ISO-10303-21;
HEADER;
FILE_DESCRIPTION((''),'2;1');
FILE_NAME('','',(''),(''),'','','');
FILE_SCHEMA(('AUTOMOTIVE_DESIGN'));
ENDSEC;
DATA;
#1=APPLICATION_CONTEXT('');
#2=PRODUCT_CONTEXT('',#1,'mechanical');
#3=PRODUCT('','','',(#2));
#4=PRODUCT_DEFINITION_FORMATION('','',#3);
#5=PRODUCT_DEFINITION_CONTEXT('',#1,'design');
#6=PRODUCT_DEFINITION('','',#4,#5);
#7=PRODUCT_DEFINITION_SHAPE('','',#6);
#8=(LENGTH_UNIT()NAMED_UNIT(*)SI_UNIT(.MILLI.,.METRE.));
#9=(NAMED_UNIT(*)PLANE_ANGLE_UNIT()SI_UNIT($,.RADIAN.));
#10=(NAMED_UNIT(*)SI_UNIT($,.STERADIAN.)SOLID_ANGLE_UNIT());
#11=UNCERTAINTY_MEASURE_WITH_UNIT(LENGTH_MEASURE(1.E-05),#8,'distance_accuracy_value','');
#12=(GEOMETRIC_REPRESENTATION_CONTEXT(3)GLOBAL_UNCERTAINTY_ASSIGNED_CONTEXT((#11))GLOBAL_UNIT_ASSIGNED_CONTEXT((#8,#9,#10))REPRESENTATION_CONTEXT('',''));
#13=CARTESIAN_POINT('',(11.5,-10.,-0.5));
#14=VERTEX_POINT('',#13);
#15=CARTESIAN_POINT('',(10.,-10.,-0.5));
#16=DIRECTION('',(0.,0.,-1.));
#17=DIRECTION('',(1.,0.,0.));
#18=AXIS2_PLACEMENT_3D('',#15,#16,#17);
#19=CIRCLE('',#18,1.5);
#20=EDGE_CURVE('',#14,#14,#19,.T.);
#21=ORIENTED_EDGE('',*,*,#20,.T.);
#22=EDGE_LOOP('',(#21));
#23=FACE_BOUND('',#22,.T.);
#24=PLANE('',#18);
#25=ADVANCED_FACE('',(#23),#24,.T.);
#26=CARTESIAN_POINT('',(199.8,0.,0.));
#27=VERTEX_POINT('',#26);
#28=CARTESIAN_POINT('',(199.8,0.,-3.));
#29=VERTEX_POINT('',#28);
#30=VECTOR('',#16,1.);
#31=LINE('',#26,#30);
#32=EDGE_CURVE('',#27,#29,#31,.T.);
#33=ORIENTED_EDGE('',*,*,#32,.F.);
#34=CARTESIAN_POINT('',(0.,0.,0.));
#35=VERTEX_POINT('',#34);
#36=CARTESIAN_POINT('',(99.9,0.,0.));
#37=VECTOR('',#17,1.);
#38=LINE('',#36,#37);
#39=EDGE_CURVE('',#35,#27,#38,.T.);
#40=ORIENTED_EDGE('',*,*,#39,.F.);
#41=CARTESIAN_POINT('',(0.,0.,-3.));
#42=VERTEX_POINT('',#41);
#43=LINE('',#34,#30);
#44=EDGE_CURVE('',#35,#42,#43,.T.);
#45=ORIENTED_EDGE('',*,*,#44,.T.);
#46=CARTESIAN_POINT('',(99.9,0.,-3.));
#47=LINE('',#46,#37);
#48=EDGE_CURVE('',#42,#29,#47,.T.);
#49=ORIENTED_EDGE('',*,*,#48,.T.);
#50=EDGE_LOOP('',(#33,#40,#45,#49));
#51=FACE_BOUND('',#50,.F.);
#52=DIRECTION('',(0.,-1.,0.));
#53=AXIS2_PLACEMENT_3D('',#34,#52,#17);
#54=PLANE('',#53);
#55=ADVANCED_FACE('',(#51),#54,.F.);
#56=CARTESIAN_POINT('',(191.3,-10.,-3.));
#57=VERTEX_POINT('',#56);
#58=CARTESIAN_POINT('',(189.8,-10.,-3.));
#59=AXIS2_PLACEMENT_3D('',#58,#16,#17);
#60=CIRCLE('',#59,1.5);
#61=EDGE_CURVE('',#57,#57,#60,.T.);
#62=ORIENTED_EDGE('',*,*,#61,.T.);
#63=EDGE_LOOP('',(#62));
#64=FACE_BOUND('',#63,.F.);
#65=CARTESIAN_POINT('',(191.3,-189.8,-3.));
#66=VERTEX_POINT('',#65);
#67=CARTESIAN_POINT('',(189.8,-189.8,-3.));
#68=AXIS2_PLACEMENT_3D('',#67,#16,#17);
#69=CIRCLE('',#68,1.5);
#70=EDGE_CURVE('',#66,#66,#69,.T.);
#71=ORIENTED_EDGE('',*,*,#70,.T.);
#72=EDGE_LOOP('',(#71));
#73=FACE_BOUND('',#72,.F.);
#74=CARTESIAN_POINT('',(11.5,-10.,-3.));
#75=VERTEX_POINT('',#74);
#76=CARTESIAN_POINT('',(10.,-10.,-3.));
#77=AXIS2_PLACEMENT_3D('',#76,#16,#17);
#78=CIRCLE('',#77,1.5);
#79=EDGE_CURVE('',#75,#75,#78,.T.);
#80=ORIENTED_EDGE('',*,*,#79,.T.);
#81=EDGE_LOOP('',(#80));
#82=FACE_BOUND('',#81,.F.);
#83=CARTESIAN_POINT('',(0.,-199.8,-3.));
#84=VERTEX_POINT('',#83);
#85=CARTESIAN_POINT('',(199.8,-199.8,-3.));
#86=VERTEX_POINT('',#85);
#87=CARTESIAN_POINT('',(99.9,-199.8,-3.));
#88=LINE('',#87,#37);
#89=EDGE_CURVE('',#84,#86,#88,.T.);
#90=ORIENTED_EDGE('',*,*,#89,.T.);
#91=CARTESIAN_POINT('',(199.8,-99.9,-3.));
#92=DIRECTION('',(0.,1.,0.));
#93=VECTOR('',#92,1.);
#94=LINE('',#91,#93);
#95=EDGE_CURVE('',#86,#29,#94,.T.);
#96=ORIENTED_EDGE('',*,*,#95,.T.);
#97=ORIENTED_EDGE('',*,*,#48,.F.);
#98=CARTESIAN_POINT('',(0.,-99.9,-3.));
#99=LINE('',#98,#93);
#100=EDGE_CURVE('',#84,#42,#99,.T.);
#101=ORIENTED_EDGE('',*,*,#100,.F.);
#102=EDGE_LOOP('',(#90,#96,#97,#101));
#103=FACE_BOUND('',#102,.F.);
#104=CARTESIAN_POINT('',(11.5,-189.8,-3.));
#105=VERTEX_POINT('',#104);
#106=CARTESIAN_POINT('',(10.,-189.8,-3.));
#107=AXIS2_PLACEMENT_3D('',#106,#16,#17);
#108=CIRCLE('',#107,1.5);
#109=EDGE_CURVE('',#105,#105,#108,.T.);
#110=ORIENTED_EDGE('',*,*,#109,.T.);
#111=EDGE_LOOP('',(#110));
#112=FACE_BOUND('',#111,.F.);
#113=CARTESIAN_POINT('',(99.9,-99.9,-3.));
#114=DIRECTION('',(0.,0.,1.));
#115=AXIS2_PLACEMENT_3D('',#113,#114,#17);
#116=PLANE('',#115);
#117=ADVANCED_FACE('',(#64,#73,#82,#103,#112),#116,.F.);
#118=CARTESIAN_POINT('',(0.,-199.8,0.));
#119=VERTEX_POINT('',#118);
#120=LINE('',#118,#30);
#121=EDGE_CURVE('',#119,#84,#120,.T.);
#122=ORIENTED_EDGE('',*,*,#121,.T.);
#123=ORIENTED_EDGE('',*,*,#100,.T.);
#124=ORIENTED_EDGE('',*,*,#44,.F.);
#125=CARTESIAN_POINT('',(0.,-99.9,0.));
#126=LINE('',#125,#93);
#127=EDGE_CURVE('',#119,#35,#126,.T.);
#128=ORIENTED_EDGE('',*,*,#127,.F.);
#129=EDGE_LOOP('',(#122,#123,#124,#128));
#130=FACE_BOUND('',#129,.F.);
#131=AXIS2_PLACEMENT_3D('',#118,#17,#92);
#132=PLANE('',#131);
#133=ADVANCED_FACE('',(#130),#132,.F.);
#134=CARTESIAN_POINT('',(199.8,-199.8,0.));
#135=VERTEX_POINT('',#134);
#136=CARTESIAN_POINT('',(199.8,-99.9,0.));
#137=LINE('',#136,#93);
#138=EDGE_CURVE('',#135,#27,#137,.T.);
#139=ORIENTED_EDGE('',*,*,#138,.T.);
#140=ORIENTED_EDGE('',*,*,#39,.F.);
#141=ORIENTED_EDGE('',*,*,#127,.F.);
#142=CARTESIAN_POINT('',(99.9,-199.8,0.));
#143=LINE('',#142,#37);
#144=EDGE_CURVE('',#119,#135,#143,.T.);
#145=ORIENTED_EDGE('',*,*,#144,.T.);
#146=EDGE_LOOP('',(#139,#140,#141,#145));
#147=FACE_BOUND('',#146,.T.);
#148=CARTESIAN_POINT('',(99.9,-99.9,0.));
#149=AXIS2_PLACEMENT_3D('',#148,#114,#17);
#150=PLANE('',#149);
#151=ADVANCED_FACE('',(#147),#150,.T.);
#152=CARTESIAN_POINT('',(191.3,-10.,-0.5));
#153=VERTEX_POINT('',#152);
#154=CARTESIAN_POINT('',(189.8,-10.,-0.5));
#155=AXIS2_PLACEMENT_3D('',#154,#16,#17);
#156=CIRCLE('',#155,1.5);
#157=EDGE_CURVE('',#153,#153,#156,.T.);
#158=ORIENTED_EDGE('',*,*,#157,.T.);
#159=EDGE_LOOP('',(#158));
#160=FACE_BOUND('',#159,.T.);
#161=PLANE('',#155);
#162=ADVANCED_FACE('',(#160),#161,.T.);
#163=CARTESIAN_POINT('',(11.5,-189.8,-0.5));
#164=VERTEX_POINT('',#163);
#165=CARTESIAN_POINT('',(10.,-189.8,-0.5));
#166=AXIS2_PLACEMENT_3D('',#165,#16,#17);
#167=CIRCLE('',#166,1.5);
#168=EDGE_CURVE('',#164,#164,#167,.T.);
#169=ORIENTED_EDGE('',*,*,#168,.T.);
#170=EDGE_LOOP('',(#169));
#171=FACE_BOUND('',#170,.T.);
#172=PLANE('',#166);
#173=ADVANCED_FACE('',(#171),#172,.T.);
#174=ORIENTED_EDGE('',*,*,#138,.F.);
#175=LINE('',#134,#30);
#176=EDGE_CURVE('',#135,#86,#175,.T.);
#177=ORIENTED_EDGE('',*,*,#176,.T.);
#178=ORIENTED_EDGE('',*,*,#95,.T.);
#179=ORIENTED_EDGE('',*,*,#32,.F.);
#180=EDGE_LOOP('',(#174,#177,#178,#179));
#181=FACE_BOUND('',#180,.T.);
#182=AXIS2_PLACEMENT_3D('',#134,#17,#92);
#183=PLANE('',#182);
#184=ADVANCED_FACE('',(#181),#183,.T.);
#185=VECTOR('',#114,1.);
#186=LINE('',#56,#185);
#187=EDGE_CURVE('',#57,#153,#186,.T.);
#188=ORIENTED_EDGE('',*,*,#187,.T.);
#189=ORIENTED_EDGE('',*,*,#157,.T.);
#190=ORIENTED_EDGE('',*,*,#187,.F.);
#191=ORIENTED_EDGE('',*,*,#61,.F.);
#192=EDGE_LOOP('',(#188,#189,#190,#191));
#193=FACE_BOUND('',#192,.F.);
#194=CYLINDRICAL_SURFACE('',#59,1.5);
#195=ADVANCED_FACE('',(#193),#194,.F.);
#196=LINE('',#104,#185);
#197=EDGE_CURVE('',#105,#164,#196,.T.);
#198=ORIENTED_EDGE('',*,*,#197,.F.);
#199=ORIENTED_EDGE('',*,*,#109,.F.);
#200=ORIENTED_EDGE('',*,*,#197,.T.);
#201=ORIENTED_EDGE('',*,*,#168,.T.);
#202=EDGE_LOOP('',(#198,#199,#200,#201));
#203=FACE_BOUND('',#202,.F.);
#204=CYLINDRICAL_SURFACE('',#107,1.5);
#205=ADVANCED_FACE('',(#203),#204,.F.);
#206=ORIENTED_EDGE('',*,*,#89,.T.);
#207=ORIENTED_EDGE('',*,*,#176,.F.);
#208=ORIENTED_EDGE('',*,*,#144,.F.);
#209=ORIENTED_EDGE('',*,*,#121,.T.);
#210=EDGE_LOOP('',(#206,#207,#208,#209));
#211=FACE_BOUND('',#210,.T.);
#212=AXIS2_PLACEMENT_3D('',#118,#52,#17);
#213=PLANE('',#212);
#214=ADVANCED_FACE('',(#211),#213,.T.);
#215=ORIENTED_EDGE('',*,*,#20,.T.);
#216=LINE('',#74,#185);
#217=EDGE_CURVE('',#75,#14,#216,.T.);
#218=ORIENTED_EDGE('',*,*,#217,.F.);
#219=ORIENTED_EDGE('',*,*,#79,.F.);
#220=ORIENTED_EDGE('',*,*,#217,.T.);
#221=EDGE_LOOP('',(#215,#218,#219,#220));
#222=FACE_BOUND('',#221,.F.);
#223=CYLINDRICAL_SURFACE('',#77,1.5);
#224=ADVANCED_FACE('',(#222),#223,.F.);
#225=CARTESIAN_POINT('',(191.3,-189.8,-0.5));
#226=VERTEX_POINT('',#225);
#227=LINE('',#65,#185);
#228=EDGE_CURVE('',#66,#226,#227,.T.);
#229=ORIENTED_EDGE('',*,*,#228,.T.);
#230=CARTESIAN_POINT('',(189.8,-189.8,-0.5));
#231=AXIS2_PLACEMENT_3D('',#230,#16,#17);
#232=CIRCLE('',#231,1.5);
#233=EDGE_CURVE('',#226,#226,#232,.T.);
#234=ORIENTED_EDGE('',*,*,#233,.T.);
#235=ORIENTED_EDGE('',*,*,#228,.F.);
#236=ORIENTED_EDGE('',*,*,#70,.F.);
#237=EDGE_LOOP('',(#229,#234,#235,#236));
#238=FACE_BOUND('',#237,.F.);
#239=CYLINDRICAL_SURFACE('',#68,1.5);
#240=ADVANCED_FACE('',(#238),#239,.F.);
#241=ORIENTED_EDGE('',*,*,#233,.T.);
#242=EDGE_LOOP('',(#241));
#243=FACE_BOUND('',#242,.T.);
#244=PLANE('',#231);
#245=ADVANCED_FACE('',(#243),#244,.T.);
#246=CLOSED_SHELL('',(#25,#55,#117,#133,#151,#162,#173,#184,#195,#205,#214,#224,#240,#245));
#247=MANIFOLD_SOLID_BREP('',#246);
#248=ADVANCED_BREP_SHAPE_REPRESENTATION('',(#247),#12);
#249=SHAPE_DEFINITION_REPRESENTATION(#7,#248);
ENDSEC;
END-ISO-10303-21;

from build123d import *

# Parameters (mm, degrees)
SKETCH_W     = 199.8
SKETCH_H     = 199.8
PAD_DEPTH    = 3
SKETCH001_R  = 1.5
POCKET_DEPTH = 2.5


with BuildPart() as part:
    # Sketch → Pad (new body)
    with BuildSketch(Plane.XY):
        with Locations((99.9, -99.9)):
            Rectangle(SKETCH_W, SKETCH_H)
    extrude(amount=-PAD_DEPTH)

    # Sketch001 (on Face6 of Pad) → Pocket (cut)
    with BuildSketch(Plane(origin=(0, 0, -3), x_dir=(1, 0, 0), z_dir=(0, 0, -1))):
        with Locations((10, 10)):
            Circle(SKETCH001_R)
        with Locations((189.8, 10)):
            Circle(SKETCH001_R)
        with Locations((10, 189.8)):
            Circle(SKETCH001_R)
        with Locations((189.8, 189.8)):
            Circle(SKETCH001_R)
    extrude(amount=-POCKET_DEPTH, mode=Mode.SUBTRACT)


solid = part.part
